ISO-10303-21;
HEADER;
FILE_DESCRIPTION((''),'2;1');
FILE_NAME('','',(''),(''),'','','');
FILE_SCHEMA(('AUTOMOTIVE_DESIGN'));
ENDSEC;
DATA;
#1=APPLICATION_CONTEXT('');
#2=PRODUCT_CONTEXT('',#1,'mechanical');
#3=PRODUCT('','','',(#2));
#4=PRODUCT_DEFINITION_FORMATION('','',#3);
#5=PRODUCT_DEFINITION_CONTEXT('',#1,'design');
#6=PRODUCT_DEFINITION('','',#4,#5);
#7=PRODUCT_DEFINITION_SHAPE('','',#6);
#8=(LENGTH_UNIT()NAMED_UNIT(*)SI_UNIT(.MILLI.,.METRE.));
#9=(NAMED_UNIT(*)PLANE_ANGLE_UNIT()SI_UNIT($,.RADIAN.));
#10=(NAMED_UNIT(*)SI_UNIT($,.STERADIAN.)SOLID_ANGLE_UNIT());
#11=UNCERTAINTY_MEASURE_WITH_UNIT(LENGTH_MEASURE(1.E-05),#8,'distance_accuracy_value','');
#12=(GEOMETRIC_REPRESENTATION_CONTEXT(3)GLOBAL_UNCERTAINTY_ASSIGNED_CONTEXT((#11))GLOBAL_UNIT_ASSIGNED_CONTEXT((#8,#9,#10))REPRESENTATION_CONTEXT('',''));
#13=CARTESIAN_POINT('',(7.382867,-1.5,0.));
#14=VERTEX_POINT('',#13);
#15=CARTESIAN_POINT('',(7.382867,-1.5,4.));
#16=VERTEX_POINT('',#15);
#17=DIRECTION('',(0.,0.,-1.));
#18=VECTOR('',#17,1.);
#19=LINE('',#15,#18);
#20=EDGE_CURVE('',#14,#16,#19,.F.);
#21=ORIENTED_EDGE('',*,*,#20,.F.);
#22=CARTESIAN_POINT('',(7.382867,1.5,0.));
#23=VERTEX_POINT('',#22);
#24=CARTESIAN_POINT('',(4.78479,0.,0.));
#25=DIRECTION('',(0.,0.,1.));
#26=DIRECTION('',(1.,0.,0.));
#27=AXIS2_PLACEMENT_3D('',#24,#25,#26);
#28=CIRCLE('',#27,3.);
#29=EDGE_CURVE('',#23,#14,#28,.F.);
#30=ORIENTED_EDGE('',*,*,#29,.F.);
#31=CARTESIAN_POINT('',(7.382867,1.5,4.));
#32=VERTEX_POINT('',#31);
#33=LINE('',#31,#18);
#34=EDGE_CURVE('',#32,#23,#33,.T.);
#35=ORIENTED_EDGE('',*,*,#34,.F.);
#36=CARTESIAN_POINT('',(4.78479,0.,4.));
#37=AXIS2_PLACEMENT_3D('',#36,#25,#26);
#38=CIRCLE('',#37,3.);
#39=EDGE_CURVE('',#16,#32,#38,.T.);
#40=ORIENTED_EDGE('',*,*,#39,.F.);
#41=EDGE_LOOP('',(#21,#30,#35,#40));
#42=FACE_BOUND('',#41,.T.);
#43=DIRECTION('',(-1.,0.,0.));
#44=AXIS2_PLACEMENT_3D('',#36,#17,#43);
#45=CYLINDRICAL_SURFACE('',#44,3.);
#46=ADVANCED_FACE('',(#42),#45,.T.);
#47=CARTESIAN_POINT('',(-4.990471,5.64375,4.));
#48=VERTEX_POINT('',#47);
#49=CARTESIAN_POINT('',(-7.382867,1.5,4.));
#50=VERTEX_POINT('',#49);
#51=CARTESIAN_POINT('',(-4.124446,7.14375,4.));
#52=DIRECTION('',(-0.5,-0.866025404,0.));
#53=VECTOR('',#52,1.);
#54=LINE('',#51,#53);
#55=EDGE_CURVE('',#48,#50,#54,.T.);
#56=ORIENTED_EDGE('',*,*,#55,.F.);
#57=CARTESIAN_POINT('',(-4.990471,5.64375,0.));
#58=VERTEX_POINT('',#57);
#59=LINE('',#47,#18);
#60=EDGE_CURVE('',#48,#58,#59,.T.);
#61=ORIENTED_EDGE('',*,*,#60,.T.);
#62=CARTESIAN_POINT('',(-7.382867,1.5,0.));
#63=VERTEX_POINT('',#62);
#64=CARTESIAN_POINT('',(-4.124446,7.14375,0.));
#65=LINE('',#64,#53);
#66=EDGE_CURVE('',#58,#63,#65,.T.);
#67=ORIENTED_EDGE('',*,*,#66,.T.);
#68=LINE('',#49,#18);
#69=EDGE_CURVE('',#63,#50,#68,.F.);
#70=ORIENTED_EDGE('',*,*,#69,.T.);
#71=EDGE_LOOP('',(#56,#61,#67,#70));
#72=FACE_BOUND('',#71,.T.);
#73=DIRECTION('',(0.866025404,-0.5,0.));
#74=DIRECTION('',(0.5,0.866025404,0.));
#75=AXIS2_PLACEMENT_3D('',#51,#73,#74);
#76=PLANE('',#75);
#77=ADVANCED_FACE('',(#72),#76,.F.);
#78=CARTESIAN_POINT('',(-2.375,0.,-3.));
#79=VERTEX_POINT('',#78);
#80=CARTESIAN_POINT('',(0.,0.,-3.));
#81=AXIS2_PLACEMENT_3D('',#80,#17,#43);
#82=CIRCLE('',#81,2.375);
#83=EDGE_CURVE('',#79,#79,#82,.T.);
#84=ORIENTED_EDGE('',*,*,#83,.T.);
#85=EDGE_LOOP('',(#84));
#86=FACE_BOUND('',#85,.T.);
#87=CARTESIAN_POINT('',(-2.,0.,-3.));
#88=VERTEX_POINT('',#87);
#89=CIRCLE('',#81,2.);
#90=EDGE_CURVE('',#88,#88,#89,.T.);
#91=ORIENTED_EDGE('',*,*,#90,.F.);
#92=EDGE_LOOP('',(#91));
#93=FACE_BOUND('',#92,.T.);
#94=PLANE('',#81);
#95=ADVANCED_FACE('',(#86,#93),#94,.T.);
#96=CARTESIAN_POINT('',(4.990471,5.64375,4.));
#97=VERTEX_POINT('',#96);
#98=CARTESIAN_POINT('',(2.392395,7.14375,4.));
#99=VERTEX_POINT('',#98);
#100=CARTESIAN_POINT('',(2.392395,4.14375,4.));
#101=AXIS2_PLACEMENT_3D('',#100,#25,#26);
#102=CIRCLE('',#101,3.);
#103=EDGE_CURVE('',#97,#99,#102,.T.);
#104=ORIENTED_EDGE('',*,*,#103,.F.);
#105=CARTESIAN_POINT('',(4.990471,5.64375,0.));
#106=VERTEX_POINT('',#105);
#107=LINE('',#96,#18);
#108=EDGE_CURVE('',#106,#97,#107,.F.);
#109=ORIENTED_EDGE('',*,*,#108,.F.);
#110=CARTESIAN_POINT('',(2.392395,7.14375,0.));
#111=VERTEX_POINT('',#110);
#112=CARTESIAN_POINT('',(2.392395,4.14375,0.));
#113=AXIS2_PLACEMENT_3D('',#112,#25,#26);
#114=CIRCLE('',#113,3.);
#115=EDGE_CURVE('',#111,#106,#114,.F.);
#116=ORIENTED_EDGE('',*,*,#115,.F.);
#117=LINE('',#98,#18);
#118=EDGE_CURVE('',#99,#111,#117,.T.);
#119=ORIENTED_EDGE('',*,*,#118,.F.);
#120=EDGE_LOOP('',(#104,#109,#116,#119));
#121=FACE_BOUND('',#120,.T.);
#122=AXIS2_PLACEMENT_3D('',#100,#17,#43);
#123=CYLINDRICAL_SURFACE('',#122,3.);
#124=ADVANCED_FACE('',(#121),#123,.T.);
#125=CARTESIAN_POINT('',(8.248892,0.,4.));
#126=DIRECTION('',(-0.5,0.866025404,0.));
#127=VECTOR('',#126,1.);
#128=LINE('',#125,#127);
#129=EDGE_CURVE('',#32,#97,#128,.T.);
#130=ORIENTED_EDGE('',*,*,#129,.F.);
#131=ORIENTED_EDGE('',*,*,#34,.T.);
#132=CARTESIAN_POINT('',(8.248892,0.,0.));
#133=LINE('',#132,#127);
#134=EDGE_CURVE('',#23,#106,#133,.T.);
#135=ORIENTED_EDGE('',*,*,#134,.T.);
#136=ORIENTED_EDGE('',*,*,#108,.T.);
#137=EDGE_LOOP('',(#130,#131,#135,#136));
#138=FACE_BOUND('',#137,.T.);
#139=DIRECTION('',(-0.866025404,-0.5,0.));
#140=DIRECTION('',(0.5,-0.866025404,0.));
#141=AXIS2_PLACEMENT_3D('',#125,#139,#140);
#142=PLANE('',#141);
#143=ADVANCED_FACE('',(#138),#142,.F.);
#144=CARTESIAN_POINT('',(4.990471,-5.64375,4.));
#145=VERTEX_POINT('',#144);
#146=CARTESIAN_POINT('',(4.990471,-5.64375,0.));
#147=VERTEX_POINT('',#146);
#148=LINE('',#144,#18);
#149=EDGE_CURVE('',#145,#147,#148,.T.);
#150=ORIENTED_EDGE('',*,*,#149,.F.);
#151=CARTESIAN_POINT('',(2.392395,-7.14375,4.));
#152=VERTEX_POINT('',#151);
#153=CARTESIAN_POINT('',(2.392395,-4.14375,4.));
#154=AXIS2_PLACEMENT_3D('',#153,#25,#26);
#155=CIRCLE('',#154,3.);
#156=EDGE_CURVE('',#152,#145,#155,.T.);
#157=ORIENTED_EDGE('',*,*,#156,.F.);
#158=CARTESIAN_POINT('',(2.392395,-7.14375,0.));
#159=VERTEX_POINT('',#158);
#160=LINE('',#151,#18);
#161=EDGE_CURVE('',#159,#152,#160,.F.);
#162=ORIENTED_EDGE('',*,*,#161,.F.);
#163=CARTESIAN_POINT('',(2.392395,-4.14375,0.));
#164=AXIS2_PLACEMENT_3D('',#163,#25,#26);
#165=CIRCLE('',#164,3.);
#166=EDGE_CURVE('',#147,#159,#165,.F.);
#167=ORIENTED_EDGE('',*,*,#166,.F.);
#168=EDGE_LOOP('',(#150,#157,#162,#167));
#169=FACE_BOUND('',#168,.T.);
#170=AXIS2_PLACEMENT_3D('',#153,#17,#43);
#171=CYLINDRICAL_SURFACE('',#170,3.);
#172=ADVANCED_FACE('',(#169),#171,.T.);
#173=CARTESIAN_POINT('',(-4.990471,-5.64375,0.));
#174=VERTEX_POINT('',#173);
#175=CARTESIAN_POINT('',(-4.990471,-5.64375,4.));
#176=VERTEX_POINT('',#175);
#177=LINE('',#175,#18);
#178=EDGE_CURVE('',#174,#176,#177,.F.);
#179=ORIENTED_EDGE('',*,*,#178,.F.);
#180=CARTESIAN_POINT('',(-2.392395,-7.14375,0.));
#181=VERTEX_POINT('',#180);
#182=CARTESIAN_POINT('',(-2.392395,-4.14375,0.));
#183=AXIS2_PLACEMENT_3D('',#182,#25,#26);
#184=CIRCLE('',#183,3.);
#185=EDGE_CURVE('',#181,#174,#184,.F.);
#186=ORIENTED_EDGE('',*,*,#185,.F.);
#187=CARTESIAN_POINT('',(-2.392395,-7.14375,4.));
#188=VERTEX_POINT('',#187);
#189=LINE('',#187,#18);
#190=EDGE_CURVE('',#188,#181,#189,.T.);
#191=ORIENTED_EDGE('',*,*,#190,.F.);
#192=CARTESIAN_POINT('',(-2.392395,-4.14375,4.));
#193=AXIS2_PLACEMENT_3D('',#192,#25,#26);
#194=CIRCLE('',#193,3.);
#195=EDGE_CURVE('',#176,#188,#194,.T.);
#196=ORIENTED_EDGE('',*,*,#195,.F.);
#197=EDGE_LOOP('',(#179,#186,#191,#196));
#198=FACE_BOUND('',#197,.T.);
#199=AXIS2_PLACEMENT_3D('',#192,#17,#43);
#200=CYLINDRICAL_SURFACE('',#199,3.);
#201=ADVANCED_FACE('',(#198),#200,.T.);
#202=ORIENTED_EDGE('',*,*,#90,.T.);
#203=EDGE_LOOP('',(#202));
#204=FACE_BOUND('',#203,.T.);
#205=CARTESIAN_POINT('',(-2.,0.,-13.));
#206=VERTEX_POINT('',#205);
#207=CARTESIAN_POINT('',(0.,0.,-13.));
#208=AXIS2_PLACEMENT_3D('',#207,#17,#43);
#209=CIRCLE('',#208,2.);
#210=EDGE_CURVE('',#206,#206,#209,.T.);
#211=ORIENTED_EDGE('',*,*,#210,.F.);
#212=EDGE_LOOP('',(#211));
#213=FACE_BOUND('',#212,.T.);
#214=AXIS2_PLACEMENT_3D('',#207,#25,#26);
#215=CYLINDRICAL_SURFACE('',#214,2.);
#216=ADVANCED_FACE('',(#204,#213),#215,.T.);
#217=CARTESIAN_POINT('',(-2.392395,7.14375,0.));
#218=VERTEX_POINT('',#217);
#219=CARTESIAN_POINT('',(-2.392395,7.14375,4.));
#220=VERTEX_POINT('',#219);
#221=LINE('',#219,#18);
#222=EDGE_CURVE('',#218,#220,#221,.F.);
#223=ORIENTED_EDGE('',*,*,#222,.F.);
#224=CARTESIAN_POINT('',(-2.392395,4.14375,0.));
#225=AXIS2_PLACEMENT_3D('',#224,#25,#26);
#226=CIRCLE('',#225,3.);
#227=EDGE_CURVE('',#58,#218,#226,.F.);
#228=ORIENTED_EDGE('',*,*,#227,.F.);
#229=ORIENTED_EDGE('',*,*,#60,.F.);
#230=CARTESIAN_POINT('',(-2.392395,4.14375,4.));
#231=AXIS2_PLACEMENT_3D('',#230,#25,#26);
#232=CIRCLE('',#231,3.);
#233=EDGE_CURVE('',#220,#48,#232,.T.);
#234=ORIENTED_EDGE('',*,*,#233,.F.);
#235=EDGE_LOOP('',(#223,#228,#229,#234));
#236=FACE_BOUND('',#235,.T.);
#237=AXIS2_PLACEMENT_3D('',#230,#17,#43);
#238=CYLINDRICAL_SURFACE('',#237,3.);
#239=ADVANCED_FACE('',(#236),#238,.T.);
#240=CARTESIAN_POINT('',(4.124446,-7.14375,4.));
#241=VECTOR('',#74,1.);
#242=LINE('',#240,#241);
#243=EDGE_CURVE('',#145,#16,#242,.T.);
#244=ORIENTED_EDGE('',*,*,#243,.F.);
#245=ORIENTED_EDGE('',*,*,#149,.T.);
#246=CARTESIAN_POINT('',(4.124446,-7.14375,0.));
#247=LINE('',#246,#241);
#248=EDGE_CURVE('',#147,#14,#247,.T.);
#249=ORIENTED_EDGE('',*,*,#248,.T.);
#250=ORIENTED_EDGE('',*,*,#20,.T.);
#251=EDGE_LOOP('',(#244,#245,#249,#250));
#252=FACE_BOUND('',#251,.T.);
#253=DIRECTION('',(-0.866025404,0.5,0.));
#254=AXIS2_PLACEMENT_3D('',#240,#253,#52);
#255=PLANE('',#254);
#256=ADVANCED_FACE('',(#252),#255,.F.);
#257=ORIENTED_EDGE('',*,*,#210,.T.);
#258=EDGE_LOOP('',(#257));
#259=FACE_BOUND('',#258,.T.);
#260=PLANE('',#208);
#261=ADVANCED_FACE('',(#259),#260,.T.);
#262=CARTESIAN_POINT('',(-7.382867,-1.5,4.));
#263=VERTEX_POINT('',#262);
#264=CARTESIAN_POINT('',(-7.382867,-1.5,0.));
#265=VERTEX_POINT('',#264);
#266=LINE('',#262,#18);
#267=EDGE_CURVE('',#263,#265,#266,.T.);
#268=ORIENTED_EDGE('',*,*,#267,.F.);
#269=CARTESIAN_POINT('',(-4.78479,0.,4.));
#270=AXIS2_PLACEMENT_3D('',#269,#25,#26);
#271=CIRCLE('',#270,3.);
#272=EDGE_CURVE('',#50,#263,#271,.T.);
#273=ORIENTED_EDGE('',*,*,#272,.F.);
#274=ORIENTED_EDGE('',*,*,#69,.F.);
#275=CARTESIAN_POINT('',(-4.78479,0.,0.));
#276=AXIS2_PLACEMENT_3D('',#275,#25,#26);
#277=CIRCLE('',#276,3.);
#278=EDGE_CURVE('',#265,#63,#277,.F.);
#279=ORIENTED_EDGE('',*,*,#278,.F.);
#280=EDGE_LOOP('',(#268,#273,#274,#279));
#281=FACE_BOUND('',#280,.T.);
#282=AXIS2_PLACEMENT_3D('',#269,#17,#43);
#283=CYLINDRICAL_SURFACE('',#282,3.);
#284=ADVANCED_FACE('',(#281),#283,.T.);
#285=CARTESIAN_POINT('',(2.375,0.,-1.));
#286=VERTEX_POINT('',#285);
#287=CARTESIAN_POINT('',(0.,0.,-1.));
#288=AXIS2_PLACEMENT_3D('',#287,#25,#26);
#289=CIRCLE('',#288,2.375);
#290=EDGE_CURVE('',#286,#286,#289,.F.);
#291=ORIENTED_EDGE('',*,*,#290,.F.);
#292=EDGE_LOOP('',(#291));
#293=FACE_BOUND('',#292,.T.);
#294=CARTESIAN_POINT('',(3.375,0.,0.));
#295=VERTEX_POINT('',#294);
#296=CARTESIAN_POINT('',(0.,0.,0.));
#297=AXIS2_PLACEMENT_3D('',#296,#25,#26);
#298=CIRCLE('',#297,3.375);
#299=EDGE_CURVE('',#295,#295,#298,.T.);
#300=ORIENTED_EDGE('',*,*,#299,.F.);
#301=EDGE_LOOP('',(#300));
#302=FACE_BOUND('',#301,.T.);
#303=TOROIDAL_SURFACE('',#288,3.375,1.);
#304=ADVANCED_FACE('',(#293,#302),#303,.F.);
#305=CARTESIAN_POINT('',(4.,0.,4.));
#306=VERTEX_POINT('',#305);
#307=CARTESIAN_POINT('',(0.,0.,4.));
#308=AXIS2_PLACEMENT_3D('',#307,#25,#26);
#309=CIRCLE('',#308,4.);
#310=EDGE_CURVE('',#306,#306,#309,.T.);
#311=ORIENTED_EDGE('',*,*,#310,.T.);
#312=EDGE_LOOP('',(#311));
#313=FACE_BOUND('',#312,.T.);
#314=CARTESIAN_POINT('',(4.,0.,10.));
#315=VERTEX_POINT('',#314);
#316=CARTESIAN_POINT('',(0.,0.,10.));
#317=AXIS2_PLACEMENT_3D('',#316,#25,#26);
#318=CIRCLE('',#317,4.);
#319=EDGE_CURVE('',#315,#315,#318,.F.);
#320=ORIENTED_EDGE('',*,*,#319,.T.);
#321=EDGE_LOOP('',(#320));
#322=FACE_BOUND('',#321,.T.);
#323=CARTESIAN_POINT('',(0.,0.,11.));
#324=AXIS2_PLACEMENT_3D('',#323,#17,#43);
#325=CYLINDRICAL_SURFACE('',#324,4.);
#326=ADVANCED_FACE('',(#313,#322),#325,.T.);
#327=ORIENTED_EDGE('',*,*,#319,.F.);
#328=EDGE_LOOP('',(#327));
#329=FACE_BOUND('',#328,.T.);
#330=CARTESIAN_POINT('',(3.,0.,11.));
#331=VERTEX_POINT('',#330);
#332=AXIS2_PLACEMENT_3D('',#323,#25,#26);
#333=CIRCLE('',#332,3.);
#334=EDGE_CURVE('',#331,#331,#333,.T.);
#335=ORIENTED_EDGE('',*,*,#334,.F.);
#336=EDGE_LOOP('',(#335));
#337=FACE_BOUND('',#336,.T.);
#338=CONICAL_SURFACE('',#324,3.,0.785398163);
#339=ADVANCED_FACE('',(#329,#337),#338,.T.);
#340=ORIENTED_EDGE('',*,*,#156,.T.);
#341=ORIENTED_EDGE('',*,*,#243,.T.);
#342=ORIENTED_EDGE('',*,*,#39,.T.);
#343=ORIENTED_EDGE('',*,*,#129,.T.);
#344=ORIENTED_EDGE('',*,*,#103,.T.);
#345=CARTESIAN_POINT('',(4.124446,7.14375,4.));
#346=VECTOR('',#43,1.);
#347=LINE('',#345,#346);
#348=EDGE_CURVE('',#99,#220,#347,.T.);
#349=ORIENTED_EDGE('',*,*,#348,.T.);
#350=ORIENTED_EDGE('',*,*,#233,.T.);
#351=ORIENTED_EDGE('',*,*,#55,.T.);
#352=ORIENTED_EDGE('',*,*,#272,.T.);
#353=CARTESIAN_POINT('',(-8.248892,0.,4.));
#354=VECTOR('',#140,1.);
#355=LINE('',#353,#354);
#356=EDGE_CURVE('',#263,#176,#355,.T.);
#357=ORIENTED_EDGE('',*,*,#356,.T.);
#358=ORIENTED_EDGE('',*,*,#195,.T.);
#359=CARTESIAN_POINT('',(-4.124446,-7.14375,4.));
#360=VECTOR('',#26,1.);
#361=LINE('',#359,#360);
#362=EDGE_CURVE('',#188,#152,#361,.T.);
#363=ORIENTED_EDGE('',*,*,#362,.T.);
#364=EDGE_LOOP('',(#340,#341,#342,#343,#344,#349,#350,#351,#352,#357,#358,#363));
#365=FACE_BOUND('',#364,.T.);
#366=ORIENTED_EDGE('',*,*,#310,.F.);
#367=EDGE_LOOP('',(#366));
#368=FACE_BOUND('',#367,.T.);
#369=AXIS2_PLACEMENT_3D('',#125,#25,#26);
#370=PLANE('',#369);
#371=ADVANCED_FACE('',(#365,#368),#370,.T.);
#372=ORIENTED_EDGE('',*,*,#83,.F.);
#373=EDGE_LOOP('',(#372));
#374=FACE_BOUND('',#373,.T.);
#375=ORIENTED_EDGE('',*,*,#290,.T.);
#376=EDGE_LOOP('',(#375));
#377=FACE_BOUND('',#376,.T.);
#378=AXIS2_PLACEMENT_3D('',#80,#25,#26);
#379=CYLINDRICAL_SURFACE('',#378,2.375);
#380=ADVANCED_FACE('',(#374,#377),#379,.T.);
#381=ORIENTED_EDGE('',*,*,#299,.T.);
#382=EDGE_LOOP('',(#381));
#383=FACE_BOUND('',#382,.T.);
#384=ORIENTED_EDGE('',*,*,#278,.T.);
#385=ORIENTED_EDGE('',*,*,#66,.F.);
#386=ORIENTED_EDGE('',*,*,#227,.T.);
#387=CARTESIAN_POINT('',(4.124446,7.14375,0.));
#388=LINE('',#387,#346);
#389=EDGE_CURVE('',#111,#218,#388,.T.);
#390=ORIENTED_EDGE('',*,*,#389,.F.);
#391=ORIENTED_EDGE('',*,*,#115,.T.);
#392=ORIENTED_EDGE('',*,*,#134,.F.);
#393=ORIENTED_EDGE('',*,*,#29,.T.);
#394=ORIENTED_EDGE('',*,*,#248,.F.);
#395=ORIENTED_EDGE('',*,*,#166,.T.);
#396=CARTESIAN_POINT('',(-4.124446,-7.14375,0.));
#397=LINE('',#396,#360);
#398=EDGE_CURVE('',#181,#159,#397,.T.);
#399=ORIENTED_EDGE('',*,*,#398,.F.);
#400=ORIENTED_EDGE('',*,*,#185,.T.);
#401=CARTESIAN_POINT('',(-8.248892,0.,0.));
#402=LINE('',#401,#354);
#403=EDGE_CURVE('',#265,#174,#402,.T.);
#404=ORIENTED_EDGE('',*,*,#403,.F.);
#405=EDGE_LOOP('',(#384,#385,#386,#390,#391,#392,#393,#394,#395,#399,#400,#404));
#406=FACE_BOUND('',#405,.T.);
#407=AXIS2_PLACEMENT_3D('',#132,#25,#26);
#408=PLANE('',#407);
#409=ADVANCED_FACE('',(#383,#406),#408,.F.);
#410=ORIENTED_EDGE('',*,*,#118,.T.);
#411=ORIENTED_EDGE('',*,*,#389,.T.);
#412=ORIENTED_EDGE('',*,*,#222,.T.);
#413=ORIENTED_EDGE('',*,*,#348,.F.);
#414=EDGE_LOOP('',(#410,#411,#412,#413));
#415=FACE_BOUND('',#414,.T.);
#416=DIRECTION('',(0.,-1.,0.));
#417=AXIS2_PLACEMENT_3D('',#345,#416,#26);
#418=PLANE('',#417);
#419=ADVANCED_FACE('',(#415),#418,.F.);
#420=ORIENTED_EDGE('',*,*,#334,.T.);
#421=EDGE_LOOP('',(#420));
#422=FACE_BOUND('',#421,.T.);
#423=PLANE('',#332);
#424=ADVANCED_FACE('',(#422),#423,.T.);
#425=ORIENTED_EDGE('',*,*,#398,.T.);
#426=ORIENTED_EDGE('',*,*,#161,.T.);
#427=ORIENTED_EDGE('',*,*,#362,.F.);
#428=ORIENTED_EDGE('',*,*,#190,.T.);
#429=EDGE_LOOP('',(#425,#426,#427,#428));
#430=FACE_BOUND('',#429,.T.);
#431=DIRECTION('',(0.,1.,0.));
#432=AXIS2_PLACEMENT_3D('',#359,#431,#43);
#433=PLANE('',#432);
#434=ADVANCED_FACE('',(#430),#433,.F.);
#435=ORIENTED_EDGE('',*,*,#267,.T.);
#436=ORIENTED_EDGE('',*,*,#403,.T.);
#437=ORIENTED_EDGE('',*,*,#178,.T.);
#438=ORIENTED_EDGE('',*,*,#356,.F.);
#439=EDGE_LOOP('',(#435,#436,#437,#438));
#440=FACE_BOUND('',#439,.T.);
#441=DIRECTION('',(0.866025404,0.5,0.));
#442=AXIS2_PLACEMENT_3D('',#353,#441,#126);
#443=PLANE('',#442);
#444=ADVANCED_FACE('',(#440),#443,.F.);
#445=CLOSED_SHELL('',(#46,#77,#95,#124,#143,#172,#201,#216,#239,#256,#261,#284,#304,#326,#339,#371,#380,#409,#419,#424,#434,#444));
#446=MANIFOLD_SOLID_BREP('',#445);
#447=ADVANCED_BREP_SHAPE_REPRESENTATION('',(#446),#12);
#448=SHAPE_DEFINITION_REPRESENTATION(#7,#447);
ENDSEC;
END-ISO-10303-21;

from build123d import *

# Parameters (mm, degrees)
BOSS_EXTRUDE1_DEPTH = 4
SKETCH2_R           = 4
BOSS_EXTRUDE2_DEPTH = 7
CHAMFER1_SIZE       = 1
SKETCH3_R           = 2.375
BOSS_EXTRUDE3_DEPTH = 3
SKETCH4_R           = 2
BOSS_EXTRUDE4_DEPTH = 10
FILLET2_R           = 3
FILLET3_R           = 1


with BuildPart() as part:
    # Sketch1 → Boss-Extrude1 (new body)
    with BuildSketch(Plane.XY):
        Polygon((8.248891971, 0), (4.124445986, 7.14375), (-4.124445986, 7.14375), (-8.248891971, 0), (-4.124445986, -7.14375), (4.124445986, -7.14375), align=None)
    extrude(amount=BOSS_EXTRUDE1_DEPTH)

    # Sketch2 → Boss-Extrude2 (add)
    with BuildSketch(Plane.XY.offset(4)):
        Circle(SKETCH2_R)
    extrude(amount=BOSS_EXTRUDE2_DEPTH)

    # Chamfer1
    chamfer1_edges = [part.edges().sort_by_distance(p)[0] for p in [
        (-4, 0, 11),
    ]]
    chamfer(chamfer1_edges, length=CHAMFER1_SIZE)

    # Sketch3 → Boss-Extrude3 (add)
    with BuildSketch(Plane(origin=(0, 0, 0), x_dir=(-1, 0, 0), z_dir=(0, 0, -1))):
        Circle(SKETCH3_R)
    extrude(amount=BOSS_EXTRUDE3_DEPTH)

    # Sketch4 → Boss-Extrude4 (add)
    with BuildSketch(Plane(origin=(0, 0, -3), x_dir=(-1, 0, 0), z_dir=(0, 0, -1))):
        Circle(SKETCH4_R)
    extrude(amount=BOSS_EXTRUDE4_DEPTH)

    # Fillet2
    fillet2_edges = [part.edges().sort_by_distance(p)[0] for p in [
        (4.124445986, -7.14375, 2),
        (-4.124445986, -7.14375, 2),
        (-8.248891971, 0, 2),
        (-4.124445986, 7.14375, 2),
        (4.124445986, 7.14375, 2),
        (8.248891971, 0, 2),
    ]]
    fillet(fillet2_edges, radius=FILLET2_R)

    # Fillet3
    fillet3_edges = [part.edges().sort_by_distance(p)[0] for p in [
        (2.375, 0, 0),
    ]]
    fillet(fillet3_edges, radius=FILLET3_R)


solid = part.part
